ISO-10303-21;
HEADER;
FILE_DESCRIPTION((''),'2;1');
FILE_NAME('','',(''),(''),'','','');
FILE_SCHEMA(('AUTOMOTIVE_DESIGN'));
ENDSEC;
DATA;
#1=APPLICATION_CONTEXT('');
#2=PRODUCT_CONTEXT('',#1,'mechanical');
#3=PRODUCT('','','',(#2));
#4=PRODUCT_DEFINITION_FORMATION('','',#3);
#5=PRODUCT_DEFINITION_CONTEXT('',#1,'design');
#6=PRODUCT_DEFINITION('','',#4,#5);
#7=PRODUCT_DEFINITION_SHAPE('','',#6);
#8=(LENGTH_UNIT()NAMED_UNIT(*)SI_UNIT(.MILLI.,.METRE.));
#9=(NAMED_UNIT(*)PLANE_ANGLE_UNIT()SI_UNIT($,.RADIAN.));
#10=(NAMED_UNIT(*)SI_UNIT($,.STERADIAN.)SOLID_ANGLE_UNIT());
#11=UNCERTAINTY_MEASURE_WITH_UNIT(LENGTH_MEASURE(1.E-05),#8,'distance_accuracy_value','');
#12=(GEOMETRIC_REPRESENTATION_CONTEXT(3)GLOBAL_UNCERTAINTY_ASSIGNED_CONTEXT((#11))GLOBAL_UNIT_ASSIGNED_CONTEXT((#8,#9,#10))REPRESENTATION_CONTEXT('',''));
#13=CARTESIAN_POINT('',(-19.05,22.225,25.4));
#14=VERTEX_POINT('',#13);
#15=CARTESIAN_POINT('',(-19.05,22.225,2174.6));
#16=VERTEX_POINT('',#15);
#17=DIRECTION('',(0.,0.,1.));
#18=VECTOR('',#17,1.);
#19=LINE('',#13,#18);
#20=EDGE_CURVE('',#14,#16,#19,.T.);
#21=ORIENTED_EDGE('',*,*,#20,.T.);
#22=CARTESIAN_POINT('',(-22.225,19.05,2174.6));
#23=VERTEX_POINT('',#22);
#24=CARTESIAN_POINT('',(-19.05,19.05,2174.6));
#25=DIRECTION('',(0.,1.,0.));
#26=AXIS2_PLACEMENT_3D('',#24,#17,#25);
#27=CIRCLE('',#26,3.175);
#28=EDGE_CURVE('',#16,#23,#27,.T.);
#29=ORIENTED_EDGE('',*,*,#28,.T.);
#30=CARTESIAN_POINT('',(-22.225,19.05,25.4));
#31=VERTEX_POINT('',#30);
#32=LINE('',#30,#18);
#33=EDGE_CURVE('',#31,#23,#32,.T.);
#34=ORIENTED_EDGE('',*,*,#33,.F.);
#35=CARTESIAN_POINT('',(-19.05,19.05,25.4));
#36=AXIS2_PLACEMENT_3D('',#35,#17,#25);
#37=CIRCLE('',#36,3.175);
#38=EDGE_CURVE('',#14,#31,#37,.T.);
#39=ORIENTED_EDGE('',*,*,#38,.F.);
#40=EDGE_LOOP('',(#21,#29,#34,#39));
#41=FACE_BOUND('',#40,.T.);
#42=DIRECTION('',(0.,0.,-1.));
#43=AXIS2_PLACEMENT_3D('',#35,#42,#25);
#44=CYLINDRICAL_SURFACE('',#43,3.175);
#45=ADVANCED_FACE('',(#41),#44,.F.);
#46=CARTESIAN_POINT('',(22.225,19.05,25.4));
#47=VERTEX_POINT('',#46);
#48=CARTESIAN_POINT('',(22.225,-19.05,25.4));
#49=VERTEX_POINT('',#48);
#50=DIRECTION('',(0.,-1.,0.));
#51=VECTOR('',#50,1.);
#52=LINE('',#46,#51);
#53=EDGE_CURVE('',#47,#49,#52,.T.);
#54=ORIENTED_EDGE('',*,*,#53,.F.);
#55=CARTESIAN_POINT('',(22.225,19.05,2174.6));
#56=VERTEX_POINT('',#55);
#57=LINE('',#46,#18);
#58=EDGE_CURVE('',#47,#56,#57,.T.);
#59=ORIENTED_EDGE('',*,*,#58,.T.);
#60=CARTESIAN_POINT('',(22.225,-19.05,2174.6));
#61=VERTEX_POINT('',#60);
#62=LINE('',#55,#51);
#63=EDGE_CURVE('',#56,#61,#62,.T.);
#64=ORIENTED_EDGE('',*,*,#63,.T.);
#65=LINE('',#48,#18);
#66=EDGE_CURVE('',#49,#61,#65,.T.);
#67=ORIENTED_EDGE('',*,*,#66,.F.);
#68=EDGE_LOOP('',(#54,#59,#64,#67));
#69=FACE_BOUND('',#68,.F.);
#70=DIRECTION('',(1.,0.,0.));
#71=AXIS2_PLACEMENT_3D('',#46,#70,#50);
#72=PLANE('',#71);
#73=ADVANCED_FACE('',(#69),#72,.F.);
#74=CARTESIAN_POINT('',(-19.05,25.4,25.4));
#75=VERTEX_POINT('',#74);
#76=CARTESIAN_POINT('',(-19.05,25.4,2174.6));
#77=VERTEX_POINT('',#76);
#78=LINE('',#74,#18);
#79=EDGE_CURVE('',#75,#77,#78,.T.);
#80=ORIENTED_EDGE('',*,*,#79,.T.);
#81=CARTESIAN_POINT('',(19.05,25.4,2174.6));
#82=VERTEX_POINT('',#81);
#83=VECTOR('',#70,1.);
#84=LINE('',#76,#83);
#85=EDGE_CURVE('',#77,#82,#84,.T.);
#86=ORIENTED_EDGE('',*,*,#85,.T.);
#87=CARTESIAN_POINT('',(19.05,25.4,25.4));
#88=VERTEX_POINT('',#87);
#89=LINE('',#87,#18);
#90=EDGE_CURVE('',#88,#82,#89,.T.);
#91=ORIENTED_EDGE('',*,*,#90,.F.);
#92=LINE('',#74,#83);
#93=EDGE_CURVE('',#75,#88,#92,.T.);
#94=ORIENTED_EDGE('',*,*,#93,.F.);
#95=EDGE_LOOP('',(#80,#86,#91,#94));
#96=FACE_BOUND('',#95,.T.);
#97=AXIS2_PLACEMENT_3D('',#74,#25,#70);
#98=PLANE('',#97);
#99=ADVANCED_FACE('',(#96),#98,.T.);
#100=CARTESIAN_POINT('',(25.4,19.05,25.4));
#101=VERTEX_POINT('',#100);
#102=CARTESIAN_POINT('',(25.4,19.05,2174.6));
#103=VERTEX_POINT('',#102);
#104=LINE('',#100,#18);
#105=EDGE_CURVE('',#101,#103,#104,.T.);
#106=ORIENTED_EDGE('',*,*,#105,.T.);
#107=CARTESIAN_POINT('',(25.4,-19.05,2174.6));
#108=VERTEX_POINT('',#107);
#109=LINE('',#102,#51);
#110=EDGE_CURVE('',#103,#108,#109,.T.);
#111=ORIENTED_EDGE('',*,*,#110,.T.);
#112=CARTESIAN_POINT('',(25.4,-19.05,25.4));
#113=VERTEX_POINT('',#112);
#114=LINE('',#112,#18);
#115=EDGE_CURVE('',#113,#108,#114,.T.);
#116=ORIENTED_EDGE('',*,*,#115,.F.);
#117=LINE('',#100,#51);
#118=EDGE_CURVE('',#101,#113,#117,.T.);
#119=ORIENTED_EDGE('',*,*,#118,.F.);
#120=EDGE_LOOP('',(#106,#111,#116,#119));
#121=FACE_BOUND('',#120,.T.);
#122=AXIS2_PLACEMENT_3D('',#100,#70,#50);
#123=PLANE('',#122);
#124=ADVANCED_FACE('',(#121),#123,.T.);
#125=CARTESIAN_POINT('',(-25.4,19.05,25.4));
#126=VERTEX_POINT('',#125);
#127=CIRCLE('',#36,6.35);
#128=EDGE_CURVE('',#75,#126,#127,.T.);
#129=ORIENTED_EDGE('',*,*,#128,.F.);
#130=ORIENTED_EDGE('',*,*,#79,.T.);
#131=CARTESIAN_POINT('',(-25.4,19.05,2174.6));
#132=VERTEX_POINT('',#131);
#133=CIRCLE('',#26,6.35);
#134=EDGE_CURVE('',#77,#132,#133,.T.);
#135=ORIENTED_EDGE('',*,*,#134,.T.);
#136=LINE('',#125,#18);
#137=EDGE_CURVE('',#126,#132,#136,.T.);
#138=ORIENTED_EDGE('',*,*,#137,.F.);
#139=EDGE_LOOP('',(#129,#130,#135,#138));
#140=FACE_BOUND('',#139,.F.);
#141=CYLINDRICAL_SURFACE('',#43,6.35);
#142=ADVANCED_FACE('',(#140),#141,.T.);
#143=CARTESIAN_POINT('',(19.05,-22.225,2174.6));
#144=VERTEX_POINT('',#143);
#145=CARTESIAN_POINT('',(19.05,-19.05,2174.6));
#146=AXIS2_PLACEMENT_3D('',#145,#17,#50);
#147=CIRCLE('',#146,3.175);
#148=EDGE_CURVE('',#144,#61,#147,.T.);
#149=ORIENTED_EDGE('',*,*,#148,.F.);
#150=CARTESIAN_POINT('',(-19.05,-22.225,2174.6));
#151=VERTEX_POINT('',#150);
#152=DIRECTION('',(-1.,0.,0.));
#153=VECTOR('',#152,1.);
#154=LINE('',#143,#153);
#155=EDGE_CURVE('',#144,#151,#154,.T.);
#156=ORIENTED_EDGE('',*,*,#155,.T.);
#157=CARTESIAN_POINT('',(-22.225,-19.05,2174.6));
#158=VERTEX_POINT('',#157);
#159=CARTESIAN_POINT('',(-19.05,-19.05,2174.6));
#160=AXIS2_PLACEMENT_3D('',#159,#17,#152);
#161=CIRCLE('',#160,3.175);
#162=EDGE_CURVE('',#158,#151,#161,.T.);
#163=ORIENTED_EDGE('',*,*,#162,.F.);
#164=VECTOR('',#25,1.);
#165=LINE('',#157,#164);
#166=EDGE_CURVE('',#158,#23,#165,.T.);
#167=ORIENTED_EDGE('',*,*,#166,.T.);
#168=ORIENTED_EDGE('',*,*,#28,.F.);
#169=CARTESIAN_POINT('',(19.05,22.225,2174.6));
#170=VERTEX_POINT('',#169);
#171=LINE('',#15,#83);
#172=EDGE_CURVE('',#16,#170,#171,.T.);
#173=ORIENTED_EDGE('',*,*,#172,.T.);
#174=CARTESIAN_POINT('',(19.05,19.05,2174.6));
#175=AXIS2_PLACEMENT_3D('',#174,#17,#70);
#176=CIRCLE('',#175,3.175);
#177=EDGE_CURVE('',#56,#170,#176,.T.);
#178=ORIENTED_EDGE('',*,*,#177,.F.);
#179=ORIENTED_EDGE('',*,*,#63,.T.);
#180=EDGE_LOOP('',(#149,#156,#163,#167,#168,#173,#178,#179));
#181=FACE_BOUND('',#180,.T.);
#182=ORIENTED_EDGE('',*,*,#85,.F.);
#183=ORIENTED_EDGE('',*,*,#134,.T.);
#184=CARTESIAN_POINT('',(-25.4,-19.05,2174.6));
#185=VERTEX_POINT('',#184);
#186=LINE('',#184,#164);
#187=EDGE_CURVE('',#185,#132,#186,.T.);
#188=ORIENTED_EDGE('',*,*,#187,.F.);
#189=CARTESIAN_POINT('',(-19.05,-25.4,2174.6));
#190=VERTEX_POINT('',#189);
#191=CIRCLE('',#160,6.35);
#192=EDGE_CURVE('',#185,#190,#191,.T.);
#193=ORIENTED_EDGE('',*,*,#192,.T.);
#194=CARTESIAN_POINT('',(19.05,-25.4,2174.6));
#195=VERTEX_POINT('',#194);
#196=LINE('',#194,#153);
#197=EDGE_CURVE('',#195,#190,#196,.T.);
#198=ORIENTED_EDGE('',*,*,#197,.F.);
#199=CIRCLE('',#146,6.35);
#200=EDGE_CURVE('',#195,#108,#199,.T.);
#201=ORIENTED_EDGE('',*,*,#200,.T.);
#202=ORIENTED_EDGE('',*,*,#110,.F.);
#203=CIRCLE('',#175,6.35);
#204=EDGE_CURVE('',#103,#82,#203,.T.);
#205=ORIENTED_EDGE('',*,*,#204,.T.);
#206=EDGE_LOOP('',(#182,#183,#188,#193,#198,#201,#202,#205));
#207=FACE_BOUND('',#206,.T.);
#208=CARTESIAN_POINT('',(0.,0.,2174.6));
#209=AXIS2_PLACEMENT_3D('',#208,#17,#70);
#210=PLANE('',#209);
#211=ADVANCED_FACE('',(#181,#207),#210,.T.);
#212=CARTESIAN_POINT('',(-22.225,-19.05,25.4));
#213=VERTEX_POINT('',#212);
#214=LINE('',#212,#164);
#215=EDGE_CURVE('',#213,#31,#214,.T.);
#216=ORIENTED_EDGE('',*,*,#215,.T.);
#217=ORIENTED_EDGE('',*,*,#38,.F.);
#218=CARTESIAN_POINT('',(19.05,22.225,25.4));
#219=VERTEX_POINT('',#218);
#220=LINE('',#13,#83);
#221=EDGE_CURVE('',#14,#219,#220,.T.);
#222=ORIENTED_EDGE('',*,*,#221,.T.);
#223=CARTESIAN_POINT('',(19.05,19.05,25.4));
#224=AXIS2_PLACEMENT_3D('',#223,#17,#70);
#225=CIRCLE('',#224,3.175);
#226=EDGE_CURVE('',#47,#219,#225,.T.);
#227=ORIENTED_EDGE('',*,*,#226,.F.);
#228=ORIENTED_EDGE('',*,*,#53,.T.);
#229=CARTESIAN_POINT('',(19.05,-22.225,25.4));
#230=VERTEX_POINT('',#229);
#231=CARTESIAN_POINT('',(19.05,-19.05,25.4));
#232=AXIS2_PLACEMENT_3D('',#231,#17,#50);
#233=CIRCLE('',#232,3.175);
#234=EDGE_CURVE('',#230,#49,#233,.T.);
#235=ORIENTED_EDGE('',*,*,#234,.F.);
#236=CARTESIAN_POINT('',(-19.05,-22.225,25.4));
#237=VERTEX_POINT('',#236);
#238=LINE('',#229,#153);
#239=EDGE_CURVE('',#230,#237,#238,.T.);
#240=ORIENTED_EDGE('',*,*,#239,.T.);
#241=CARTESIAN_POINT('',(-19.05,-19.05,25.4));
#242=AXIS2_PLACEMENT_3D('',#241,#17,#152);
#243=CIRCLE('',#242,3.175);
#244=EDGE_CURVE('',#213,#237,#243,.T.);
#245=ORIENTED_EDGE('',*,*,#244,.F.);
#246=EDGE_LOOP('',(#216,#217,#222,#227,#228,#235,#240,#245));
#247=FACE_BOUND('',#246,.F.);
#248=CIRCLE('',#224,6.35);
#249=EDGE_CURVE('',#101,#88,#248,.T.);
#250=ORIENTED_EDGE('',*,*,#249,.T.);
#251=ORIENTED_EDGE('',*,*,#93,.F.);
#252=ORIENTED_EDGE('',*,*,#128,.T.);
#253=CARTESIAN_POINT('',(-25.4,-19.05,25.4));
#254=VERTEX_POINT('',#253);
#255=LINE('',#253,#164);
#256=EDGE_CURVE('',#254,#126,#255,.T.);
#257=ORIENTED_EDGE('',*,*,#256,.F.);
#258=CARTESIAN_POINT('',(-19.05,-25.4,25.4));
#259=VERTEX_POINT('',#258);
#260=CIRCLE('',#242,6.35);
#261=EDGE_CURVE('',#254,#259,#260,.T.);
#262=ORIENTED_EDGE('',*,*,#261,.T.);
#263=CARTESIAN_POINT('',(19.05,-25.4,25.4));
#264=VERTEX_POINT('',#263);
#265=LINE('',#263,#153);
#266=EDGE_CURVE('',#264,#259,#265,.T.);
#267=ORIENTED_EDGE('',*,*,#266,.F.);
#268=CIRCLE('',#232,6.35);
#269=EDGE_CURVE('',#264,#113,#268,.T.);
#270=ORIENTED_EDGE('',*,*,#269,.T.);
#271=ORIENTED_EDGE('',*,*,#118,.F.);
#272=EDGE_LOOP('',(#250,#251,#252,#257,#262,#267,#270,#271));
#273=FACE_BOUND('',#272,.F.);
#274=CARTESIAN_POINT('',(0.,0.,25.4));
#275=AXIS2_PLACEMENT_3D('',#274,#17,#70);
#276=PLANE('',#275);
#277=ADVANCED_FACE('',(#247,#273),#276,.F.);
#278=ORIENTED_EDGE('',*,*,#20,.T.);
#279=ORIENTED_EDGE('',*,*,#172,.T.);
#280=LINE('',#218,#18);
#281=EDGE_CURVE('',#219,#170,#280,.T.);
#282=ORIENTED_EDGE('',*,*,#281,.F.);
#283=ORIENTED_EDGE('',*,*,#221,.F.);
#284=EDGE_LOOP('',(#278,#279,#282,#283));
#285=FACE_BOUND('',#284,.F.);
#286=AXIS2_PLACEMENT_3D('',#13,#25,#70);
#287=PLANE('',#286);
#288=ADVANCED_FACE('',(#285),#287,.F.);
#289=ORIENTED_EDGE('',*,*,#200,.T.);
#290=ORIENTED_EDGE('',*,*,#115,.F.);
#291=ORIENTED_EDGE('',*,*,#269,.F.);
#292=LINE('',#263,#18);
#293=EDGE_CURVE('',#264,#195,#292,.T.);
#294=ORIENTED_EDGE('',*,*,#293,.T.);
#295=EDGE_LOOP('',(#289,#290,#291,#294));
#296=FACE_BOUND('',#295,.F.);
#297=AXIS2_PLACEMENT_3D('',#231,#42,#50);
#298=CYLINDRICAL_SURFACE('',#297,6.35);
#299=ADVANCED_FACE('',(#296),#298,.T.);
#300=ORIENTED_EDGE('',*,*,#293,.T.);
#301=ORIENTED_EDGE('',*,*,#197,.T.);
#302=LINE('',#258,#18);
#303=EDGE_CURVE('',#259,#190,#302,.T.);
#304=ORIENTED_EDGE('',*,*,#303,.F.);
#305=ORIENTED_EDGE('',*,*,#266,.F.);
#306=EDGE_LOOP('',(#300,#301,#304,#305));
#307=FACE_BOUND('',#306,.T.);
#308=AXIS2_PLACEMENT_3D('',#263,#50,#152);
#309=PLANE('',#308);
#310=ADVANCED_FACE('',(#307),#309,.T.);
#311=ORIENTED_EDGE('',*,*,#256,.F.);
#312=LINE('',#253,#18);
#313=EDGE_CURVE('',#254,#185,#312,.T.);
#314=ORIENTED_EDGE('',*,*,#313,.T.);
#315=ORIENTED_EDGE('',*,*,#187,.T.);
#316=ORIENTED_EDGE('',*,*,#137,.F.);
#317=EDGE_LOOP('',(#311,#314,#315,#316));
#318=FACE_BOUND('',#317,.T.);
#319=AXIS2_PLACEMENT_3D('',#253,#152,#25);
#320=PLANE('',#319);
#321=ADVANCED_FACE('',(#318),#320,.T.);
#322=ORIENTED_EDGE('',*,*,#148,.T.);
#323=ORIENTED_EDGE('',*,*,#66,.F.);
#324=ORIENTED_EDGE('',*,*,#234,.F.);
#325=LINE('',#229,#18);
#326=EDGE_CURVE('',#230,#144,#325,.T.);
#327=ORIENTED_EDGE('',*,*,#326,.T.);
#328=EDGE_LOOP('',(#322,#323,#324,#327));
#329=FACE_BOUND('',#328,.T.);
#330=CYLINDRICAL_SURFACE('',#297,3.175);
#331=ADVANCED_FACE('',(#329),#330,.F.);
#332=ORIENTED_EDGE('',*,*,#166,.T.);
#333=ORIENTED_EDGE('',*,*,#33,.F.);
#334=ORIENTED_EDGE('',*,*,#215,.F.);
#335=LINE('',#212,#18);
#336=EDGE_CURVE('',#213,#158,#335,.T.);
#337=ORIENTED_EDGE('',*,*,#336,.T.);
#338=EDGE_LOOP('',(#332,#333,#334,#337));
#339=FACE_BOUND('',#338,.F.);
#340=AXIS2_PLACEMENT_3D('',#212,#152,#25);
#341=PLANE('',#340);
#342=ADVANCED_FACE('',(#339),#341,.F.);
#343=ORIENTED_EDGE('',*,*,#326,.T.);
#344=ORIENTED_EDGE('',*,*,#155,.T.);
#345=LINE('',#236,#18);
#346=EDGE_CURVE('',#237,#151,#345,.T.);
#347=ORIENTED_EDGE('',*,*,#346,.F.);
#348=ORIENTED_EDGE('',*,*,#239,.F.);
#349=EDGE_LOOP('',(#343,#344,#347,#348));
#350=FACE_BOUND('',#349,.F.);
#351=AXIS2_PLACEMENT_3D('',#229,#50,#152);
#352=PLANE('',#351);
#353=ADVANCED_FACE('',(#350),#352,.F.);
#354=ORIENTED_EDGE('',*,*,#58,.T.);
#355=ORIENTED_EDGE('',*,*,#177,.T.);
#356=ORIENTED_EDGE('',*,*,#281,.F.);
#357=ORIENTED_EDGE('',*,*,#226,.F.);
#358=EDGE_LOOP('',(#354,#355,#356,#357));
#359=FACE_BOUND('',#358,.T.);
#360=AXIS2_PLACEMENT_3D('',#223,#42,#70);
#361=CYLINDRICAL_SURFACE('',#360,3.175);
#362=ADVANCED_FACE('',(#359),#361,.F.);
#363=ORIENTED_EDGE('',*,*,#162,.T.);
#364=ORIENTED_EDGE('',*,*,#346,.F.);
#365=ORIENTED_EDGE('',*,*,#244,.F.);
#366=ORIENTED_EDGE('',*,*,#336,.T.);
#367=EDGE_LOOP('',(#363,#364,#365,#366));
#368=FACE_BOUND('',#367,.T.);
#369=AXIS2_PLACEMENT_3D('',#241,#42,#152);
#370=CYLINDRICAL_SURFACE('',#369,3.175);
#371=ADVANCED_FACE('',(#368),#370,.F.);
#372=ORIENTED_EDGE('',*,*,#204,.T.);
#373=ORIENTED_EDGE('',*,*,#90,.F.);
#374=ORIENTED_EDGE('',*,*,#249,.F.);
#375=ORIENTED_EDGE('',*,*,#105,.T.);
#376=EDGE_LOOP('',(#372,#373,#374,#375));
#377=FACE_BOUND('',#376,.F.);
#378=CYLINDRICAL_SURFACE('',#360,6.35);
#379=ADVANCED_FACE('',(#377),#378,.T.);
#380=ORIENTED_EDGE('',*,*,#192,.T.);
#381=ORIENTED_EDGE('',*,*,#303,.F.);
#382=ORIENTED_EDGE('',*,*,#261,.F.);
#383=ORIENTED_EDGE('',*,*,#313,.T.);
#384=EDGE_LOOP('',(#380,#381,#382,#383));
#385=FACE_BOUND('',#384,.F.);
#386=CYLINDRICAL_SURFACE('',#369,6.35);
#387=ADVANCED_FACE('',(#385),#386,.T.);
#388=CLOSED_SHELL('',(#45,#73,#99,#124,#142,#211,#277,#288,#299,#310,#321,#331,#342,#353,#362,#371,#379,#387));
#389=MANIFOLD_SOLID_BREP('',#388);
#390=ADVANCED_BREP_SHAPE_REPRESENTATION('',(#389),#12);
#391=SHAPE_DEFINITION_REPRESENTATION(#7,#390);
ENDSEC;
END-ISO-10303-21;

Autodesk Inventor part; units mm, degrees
ref_plane "Plano inicial" through (0, 0, 25.4) normal (0, 0, 1) x (1, 0, 0)
ref_plane "Plano final" through (0, 0, 2174.6) normal (0, 0, 1) x (1, 0, 0)
sketch "Boceto" plane through (0, 0, 0) normal (0, 0, 1) x (1, 0, 0)
  line L0 (-25.4, -19.05) -> (-25.4, 19.05)
  line L1 (-19.05, 25.4) -> (19.05, 25.4)
  line L2 (25.4, 19.05) -> (25.4, -19.05)
  line L3 (19.05, -25.4) -> (-19.05, -25.4)
  arc A0 (-25.4, -19.05) -> (-19.05, -25.4) centre (-19.05, -19.05) ccw
  arc A1 (-19.05, 25.4) -> (-25.4, 19.05) centre (-19.05, 19.05) ccw
  arc A2 (25.4, 19.05) -> (19.05, 25.4) centre (19.05, 19.05) ccw
  arc A3 (19.05, -25.4) -> (25.4, -19.05) centre (19.05, -19.05) ccw
  arc A4 (-19.05, 22.225) -> (-22.225, 19.05) centre (-19.05, 19.05) ccw
  line L4 (-19.05, 22.225) -> (19.05, 22.225)
  arc A5 (22.225, 19.05) -> (19.05, 22.225) centre (19.05, 19.05) ccw
  line L5 (22.225, 19.05) -> (22.225, -19.05)
  arc A6 (19.05, -22.225) -> (22.225, -19.05) centre (19.05, -19.05) ccw
  line L6 (19.05, -22.225) -> (-19.05, -22.225)
  arc A7 (-22.225, -19.05) -> (-19.05, -22.225) centre (-19.05, -19.05) ccw
  line L7 (-22.225, -19.05) -> (-22.225, 19.05)
  line L8 (0, 37.4012) -> (0, -37.4012) construction
  line L9 (-37.4012, 0) -> (37.4012, 0) construction
  dimension "d10" = 50.8
  dimension "d11" = 50.8
  dimension "d12" = 3.175
  dimension "d15" = 25.4
  dimension "d16" = 25.4
  dimension "d17" = 6.35
extrude "Cuerpo" add sketch "Boceto" along normal up to surface (2149.2 mm away) from surface at 25.4
sketch "Sketch3" plane through (0, 0, 0) normal (0, 0, 1) x (1, 0, 0)
  line L0 (0, 0) -> (10, 0)
ref_plane "Work Plane3" through (0, 0, 0) normal (0, -1, 0) x (1, 0, 0)
ref_plane "Plano de trabajo4" through (19.05, -2890, 25.4) normal (0, 0, -1) x (-1, 0, 0)
split "Dividir1" plane through (19.05, -2890, 25.4) removes the side toward (0, 0, -1)
ref_plane "Plano de trabajo5" through (19.05, 0, 2174.6) normal (0, 0, 1) x (1, 0, 0)
split "Dividir2" plane through (19.05, 0, 2174.6) removes the side toward (0, 0, 1)
sketch "Sketch4" plane through (0, 0, 0) normal (0, -1, 0) x (1, 0, 0)
  line L0 (-2, 25.4) -> (12, 25.4) projected
  line L1 (-2, 2174.6) -> (12, 2174.6) projected
  dimension "d19" = 2149.2
equation "\"d10\" = G_H"
equation "\"d11\" = G_W"
equation "\"d12\" = G_T"
equation "\"d15\" = 0.5 * d10"
equation "\"d16\" = 0.5 * d11"
equation "\"d17\" = G_IR"
equation "\"d3\" = G_L"
equation "\"G_W\" = 50.8"
equation "\"G_H\" = 50.8"
equation "\"G_T\" = 3.175"
equation "\"G_IR\" = 6.35"
equation "\"G_L\" = d19"
equation "\"G_OFFSET_START\" = -25.4"
equation "\"G_OFFSET_END\" = -25.4"
equation "\"d13\" = -G_OFFSET_START"
equation "\"d14\" = G_OFFSET_END + B_L"
equation "\"B_L\" = 2200"
properties part number "AISC - 2 x 2 x 1/8 - 84,614" material "Acero, suave"
